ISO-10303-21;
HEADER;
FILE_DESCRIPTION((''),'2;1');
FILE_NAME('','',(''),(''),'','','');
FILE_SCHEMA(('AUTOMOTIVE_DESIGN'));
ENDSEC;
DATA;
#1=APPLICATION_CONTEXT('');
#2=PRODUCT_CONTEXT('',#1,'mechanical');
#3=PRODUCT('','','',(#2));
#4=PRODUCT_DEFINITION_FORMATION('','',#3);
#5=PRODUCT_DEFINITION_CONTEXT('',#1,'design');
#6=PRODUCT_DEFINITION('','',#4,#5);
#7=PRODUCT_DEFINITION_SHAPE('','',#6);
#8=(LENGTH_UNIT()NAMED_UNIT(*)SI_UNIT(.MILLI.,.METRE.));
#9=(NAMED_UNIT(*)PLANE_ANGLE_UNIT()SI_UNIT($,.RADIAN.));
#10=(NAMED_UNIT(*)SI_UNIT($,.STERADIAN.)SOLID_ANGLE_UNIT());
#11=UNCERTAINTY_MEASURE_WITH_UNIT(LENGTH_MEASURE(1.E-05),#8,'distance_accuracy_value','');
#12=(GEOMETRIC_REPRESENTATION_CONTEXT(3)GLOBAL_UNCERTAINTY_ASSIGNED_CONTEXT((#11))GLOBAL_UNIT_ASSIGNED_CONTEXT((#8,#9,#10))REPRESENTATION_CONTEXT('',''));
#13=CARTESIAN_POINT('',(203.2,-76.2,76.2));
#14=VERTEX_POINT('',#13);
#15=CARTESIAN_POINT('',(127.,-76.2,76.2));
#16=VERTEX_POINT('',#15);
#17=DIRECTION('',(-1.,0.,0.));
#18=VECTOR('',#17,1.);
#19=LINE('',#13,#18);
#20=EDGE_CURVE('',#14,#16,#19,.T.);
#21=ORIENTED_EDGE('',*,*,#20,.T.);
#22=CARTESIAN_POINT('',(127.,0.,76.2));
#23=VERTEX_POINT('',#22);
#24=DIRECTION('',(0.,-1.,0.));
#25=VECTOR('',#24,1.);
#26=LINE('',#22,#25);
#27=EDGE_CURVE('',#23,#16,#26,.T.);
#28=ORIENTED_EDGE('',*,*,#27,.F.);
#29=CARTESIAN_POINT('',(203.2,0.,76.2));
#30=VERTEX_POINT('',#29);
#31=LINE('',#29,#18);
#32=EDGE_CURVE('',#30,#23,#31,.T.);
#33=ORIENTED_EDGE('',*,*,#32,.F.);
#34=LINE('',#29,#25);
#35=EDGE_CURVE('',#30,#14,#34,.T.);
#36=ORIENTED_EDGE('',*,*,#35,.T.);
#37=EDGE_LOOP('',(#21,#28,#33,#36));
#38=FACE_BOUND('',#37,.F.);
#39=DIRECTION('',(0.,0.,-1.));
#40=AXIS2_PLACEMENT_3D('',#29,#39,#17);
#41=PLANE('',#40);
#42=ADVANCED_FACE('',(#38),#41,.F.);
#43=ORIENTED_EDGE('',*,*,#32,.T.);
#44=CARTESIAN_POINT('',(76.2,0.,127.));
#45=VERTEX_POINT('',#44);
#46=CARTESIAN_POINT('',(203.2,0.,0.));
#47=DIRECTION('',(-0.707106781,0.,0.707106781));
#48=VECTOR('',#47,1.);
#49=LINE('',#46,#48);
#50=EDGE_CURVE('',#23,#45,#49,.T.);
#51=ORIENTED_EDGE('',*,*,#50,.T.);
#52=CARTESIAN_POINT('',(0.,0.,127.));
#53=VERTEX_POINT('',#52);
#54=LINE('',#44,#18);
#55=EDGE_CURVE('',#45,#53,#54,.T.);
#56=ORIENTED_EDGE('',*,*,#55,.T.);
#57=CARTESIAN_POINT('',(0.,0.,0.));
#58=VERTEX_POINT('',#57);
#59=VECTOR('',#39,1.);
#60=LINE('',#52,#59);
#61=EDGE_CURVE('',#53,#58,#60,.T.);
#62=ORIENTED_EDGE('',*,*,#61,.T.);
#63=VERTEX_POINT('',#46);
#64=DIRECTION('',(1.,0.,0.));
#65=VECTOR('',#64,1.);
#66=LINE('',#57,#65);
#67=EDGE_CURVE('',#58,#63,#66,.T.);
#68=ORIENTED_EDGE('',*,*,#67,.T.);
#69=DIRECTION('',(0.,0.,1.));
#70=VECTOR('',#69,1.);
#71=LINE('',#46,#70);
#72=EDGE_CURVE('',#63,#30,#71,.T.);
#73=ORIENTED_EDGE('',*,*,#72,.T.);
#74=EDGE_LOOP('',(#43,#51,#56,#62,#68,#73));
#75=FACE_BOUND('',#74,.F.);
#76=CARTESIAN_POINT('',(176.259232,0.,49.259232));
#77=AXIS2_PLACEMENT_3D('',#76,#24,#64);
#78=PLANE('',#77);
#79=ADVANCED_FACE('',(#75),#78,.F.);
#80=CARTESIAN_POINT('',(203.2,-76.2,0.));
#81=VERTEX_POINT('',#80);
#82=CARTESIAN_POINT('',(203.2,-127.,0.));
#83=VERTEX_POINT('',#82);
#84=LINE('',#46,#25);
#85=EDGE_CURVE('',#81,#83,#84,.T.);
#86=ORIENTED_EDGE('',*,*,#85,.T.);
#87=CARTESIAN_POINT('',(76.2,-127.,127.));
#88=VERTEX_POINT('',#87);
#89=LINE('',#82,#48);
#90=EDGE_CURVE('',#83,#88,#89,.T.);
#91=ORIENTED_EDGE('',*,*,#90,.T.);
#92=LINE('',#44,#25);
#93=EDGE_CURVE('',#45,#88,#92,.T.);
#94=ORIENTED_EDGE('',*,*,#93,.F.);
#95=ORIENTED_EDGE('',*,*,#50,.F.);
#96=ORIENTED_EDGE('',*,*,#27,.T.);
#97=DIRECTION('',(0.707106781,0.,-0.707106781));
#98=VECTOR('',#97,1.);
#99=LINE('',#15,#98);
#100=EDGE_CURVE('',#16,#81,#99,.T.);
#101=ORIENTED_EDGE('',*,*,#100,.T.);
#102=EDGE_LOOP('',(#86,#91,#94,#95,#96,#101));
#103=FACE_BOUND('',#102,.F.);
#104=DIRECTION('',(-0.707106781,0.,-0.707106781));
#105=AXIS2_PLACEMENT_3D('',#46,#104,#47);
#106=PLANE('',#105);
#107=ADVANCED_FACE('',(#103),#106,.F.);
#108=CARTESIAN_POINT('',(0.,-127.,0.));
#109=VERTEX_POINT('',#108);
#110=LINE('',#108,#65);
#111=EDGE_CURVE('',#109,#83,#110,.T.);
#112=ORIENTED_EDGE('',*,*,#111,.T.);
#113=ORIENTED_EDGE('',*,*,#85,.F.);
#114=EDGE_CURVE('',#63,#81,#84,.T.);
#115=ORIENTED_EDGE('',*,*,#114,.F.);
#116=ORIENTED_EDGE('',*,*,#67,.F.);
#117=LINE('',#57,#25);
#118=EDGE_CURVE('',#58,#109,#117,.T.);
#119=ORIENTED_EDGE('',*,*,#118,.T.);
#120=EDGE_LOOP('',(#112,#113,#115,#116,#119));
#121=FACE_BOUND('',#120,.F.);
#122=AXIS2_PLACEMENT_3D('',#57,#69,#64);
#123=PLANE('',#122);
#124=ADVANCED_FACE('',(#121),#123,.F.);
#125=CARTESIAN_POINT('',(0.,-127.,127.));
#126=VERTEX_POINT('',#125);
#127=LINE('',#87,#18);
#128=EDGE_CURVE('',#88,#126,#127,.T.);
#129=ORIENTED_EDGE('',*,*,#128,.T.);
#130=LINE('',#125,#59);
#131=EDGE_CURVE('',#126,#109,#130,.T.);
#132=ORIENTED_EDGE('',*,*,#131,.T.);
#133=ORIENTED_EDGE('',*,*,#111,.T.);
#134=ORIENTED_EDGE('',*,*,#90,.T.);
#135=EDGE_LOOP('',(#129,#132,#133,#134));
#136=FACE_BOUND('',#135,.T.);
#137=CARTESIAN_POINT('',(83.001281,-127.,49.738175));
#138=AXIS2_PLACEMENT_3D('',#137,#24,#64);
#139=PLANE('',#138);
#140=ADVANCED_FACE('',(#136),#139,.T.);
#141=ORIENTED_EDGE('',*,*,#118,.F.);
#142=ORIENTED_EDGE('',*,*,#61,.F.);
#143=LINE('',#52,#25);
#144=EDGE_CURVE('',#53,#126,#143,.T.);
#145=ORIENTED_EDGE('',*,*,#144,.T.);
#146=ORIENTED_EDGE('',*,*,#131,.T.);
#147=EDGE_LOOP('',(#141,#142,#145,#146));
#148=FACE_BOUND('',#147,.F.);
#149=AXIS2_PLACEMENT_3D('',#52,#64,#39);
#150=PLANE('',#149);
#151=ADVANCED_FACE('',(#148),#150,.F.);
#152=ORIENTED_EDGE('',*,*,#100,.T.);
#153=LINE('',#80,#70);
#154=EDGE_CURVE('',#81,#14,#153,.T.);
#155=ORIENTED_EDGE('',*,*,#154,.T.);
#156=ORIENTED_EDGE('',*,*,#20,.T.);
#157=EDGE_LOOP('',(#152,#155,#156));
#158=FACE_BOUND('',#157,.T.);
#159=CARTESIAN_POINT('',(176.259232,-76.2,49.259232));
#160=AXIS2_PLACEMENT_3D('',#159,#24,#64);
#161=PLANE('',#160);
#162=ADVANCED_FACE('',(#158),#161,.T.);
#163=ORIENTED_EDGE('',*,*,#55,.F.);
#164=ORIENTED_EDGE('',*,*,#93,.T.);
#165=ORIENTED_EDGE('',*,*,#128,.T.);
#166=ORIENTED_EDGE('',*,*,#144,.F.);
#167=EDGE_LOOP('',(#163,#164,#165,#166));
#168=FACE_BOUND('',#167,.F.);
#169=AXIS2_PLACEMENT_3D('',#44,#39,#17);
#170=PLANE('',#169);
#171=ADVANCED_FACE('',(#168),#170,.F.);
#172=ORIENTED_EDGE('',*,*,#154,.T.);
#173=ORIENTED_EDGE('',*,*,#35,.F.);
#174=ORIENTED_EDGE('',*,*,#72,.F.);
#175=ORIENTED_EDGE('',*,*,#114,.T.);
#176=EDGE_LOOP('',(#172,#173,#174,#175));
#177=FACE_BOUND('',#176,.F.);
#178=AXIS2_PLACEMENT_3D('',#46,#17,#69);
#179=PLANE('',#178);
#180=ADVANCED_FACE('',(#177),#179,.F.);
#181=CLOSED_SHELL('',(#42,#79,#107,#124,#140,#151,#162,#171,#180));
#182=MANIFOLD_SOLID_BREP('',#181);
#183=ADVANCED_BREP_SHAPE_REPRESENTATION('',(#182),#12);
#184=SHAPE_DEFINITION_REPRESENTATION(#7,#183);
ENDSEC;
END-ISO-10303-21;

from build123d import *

# Parameters (mm, degrees)
F1_DEPTH = 127
F2_DEPTH = 76.2


with BuildPart() as f1:
    # F0 (on Front) → F1 (new body)
    with BuildSketch(Plane.XZ):
        Polygon((0, 127), (0, 0), (203.2, 0), (127, 76.2), (76.2, 127), align=None)
    extrude(amount=F1_DEPTH)

    # F0 (on Front) → F2 (join)
    with BuildSketch(Plane.XZ):
        Polygon((127, 76.2), (203.2, 0), (203.2, 76.2), align=None)
    extrude(amount=F2_DEPTH)


solid = f1.part
